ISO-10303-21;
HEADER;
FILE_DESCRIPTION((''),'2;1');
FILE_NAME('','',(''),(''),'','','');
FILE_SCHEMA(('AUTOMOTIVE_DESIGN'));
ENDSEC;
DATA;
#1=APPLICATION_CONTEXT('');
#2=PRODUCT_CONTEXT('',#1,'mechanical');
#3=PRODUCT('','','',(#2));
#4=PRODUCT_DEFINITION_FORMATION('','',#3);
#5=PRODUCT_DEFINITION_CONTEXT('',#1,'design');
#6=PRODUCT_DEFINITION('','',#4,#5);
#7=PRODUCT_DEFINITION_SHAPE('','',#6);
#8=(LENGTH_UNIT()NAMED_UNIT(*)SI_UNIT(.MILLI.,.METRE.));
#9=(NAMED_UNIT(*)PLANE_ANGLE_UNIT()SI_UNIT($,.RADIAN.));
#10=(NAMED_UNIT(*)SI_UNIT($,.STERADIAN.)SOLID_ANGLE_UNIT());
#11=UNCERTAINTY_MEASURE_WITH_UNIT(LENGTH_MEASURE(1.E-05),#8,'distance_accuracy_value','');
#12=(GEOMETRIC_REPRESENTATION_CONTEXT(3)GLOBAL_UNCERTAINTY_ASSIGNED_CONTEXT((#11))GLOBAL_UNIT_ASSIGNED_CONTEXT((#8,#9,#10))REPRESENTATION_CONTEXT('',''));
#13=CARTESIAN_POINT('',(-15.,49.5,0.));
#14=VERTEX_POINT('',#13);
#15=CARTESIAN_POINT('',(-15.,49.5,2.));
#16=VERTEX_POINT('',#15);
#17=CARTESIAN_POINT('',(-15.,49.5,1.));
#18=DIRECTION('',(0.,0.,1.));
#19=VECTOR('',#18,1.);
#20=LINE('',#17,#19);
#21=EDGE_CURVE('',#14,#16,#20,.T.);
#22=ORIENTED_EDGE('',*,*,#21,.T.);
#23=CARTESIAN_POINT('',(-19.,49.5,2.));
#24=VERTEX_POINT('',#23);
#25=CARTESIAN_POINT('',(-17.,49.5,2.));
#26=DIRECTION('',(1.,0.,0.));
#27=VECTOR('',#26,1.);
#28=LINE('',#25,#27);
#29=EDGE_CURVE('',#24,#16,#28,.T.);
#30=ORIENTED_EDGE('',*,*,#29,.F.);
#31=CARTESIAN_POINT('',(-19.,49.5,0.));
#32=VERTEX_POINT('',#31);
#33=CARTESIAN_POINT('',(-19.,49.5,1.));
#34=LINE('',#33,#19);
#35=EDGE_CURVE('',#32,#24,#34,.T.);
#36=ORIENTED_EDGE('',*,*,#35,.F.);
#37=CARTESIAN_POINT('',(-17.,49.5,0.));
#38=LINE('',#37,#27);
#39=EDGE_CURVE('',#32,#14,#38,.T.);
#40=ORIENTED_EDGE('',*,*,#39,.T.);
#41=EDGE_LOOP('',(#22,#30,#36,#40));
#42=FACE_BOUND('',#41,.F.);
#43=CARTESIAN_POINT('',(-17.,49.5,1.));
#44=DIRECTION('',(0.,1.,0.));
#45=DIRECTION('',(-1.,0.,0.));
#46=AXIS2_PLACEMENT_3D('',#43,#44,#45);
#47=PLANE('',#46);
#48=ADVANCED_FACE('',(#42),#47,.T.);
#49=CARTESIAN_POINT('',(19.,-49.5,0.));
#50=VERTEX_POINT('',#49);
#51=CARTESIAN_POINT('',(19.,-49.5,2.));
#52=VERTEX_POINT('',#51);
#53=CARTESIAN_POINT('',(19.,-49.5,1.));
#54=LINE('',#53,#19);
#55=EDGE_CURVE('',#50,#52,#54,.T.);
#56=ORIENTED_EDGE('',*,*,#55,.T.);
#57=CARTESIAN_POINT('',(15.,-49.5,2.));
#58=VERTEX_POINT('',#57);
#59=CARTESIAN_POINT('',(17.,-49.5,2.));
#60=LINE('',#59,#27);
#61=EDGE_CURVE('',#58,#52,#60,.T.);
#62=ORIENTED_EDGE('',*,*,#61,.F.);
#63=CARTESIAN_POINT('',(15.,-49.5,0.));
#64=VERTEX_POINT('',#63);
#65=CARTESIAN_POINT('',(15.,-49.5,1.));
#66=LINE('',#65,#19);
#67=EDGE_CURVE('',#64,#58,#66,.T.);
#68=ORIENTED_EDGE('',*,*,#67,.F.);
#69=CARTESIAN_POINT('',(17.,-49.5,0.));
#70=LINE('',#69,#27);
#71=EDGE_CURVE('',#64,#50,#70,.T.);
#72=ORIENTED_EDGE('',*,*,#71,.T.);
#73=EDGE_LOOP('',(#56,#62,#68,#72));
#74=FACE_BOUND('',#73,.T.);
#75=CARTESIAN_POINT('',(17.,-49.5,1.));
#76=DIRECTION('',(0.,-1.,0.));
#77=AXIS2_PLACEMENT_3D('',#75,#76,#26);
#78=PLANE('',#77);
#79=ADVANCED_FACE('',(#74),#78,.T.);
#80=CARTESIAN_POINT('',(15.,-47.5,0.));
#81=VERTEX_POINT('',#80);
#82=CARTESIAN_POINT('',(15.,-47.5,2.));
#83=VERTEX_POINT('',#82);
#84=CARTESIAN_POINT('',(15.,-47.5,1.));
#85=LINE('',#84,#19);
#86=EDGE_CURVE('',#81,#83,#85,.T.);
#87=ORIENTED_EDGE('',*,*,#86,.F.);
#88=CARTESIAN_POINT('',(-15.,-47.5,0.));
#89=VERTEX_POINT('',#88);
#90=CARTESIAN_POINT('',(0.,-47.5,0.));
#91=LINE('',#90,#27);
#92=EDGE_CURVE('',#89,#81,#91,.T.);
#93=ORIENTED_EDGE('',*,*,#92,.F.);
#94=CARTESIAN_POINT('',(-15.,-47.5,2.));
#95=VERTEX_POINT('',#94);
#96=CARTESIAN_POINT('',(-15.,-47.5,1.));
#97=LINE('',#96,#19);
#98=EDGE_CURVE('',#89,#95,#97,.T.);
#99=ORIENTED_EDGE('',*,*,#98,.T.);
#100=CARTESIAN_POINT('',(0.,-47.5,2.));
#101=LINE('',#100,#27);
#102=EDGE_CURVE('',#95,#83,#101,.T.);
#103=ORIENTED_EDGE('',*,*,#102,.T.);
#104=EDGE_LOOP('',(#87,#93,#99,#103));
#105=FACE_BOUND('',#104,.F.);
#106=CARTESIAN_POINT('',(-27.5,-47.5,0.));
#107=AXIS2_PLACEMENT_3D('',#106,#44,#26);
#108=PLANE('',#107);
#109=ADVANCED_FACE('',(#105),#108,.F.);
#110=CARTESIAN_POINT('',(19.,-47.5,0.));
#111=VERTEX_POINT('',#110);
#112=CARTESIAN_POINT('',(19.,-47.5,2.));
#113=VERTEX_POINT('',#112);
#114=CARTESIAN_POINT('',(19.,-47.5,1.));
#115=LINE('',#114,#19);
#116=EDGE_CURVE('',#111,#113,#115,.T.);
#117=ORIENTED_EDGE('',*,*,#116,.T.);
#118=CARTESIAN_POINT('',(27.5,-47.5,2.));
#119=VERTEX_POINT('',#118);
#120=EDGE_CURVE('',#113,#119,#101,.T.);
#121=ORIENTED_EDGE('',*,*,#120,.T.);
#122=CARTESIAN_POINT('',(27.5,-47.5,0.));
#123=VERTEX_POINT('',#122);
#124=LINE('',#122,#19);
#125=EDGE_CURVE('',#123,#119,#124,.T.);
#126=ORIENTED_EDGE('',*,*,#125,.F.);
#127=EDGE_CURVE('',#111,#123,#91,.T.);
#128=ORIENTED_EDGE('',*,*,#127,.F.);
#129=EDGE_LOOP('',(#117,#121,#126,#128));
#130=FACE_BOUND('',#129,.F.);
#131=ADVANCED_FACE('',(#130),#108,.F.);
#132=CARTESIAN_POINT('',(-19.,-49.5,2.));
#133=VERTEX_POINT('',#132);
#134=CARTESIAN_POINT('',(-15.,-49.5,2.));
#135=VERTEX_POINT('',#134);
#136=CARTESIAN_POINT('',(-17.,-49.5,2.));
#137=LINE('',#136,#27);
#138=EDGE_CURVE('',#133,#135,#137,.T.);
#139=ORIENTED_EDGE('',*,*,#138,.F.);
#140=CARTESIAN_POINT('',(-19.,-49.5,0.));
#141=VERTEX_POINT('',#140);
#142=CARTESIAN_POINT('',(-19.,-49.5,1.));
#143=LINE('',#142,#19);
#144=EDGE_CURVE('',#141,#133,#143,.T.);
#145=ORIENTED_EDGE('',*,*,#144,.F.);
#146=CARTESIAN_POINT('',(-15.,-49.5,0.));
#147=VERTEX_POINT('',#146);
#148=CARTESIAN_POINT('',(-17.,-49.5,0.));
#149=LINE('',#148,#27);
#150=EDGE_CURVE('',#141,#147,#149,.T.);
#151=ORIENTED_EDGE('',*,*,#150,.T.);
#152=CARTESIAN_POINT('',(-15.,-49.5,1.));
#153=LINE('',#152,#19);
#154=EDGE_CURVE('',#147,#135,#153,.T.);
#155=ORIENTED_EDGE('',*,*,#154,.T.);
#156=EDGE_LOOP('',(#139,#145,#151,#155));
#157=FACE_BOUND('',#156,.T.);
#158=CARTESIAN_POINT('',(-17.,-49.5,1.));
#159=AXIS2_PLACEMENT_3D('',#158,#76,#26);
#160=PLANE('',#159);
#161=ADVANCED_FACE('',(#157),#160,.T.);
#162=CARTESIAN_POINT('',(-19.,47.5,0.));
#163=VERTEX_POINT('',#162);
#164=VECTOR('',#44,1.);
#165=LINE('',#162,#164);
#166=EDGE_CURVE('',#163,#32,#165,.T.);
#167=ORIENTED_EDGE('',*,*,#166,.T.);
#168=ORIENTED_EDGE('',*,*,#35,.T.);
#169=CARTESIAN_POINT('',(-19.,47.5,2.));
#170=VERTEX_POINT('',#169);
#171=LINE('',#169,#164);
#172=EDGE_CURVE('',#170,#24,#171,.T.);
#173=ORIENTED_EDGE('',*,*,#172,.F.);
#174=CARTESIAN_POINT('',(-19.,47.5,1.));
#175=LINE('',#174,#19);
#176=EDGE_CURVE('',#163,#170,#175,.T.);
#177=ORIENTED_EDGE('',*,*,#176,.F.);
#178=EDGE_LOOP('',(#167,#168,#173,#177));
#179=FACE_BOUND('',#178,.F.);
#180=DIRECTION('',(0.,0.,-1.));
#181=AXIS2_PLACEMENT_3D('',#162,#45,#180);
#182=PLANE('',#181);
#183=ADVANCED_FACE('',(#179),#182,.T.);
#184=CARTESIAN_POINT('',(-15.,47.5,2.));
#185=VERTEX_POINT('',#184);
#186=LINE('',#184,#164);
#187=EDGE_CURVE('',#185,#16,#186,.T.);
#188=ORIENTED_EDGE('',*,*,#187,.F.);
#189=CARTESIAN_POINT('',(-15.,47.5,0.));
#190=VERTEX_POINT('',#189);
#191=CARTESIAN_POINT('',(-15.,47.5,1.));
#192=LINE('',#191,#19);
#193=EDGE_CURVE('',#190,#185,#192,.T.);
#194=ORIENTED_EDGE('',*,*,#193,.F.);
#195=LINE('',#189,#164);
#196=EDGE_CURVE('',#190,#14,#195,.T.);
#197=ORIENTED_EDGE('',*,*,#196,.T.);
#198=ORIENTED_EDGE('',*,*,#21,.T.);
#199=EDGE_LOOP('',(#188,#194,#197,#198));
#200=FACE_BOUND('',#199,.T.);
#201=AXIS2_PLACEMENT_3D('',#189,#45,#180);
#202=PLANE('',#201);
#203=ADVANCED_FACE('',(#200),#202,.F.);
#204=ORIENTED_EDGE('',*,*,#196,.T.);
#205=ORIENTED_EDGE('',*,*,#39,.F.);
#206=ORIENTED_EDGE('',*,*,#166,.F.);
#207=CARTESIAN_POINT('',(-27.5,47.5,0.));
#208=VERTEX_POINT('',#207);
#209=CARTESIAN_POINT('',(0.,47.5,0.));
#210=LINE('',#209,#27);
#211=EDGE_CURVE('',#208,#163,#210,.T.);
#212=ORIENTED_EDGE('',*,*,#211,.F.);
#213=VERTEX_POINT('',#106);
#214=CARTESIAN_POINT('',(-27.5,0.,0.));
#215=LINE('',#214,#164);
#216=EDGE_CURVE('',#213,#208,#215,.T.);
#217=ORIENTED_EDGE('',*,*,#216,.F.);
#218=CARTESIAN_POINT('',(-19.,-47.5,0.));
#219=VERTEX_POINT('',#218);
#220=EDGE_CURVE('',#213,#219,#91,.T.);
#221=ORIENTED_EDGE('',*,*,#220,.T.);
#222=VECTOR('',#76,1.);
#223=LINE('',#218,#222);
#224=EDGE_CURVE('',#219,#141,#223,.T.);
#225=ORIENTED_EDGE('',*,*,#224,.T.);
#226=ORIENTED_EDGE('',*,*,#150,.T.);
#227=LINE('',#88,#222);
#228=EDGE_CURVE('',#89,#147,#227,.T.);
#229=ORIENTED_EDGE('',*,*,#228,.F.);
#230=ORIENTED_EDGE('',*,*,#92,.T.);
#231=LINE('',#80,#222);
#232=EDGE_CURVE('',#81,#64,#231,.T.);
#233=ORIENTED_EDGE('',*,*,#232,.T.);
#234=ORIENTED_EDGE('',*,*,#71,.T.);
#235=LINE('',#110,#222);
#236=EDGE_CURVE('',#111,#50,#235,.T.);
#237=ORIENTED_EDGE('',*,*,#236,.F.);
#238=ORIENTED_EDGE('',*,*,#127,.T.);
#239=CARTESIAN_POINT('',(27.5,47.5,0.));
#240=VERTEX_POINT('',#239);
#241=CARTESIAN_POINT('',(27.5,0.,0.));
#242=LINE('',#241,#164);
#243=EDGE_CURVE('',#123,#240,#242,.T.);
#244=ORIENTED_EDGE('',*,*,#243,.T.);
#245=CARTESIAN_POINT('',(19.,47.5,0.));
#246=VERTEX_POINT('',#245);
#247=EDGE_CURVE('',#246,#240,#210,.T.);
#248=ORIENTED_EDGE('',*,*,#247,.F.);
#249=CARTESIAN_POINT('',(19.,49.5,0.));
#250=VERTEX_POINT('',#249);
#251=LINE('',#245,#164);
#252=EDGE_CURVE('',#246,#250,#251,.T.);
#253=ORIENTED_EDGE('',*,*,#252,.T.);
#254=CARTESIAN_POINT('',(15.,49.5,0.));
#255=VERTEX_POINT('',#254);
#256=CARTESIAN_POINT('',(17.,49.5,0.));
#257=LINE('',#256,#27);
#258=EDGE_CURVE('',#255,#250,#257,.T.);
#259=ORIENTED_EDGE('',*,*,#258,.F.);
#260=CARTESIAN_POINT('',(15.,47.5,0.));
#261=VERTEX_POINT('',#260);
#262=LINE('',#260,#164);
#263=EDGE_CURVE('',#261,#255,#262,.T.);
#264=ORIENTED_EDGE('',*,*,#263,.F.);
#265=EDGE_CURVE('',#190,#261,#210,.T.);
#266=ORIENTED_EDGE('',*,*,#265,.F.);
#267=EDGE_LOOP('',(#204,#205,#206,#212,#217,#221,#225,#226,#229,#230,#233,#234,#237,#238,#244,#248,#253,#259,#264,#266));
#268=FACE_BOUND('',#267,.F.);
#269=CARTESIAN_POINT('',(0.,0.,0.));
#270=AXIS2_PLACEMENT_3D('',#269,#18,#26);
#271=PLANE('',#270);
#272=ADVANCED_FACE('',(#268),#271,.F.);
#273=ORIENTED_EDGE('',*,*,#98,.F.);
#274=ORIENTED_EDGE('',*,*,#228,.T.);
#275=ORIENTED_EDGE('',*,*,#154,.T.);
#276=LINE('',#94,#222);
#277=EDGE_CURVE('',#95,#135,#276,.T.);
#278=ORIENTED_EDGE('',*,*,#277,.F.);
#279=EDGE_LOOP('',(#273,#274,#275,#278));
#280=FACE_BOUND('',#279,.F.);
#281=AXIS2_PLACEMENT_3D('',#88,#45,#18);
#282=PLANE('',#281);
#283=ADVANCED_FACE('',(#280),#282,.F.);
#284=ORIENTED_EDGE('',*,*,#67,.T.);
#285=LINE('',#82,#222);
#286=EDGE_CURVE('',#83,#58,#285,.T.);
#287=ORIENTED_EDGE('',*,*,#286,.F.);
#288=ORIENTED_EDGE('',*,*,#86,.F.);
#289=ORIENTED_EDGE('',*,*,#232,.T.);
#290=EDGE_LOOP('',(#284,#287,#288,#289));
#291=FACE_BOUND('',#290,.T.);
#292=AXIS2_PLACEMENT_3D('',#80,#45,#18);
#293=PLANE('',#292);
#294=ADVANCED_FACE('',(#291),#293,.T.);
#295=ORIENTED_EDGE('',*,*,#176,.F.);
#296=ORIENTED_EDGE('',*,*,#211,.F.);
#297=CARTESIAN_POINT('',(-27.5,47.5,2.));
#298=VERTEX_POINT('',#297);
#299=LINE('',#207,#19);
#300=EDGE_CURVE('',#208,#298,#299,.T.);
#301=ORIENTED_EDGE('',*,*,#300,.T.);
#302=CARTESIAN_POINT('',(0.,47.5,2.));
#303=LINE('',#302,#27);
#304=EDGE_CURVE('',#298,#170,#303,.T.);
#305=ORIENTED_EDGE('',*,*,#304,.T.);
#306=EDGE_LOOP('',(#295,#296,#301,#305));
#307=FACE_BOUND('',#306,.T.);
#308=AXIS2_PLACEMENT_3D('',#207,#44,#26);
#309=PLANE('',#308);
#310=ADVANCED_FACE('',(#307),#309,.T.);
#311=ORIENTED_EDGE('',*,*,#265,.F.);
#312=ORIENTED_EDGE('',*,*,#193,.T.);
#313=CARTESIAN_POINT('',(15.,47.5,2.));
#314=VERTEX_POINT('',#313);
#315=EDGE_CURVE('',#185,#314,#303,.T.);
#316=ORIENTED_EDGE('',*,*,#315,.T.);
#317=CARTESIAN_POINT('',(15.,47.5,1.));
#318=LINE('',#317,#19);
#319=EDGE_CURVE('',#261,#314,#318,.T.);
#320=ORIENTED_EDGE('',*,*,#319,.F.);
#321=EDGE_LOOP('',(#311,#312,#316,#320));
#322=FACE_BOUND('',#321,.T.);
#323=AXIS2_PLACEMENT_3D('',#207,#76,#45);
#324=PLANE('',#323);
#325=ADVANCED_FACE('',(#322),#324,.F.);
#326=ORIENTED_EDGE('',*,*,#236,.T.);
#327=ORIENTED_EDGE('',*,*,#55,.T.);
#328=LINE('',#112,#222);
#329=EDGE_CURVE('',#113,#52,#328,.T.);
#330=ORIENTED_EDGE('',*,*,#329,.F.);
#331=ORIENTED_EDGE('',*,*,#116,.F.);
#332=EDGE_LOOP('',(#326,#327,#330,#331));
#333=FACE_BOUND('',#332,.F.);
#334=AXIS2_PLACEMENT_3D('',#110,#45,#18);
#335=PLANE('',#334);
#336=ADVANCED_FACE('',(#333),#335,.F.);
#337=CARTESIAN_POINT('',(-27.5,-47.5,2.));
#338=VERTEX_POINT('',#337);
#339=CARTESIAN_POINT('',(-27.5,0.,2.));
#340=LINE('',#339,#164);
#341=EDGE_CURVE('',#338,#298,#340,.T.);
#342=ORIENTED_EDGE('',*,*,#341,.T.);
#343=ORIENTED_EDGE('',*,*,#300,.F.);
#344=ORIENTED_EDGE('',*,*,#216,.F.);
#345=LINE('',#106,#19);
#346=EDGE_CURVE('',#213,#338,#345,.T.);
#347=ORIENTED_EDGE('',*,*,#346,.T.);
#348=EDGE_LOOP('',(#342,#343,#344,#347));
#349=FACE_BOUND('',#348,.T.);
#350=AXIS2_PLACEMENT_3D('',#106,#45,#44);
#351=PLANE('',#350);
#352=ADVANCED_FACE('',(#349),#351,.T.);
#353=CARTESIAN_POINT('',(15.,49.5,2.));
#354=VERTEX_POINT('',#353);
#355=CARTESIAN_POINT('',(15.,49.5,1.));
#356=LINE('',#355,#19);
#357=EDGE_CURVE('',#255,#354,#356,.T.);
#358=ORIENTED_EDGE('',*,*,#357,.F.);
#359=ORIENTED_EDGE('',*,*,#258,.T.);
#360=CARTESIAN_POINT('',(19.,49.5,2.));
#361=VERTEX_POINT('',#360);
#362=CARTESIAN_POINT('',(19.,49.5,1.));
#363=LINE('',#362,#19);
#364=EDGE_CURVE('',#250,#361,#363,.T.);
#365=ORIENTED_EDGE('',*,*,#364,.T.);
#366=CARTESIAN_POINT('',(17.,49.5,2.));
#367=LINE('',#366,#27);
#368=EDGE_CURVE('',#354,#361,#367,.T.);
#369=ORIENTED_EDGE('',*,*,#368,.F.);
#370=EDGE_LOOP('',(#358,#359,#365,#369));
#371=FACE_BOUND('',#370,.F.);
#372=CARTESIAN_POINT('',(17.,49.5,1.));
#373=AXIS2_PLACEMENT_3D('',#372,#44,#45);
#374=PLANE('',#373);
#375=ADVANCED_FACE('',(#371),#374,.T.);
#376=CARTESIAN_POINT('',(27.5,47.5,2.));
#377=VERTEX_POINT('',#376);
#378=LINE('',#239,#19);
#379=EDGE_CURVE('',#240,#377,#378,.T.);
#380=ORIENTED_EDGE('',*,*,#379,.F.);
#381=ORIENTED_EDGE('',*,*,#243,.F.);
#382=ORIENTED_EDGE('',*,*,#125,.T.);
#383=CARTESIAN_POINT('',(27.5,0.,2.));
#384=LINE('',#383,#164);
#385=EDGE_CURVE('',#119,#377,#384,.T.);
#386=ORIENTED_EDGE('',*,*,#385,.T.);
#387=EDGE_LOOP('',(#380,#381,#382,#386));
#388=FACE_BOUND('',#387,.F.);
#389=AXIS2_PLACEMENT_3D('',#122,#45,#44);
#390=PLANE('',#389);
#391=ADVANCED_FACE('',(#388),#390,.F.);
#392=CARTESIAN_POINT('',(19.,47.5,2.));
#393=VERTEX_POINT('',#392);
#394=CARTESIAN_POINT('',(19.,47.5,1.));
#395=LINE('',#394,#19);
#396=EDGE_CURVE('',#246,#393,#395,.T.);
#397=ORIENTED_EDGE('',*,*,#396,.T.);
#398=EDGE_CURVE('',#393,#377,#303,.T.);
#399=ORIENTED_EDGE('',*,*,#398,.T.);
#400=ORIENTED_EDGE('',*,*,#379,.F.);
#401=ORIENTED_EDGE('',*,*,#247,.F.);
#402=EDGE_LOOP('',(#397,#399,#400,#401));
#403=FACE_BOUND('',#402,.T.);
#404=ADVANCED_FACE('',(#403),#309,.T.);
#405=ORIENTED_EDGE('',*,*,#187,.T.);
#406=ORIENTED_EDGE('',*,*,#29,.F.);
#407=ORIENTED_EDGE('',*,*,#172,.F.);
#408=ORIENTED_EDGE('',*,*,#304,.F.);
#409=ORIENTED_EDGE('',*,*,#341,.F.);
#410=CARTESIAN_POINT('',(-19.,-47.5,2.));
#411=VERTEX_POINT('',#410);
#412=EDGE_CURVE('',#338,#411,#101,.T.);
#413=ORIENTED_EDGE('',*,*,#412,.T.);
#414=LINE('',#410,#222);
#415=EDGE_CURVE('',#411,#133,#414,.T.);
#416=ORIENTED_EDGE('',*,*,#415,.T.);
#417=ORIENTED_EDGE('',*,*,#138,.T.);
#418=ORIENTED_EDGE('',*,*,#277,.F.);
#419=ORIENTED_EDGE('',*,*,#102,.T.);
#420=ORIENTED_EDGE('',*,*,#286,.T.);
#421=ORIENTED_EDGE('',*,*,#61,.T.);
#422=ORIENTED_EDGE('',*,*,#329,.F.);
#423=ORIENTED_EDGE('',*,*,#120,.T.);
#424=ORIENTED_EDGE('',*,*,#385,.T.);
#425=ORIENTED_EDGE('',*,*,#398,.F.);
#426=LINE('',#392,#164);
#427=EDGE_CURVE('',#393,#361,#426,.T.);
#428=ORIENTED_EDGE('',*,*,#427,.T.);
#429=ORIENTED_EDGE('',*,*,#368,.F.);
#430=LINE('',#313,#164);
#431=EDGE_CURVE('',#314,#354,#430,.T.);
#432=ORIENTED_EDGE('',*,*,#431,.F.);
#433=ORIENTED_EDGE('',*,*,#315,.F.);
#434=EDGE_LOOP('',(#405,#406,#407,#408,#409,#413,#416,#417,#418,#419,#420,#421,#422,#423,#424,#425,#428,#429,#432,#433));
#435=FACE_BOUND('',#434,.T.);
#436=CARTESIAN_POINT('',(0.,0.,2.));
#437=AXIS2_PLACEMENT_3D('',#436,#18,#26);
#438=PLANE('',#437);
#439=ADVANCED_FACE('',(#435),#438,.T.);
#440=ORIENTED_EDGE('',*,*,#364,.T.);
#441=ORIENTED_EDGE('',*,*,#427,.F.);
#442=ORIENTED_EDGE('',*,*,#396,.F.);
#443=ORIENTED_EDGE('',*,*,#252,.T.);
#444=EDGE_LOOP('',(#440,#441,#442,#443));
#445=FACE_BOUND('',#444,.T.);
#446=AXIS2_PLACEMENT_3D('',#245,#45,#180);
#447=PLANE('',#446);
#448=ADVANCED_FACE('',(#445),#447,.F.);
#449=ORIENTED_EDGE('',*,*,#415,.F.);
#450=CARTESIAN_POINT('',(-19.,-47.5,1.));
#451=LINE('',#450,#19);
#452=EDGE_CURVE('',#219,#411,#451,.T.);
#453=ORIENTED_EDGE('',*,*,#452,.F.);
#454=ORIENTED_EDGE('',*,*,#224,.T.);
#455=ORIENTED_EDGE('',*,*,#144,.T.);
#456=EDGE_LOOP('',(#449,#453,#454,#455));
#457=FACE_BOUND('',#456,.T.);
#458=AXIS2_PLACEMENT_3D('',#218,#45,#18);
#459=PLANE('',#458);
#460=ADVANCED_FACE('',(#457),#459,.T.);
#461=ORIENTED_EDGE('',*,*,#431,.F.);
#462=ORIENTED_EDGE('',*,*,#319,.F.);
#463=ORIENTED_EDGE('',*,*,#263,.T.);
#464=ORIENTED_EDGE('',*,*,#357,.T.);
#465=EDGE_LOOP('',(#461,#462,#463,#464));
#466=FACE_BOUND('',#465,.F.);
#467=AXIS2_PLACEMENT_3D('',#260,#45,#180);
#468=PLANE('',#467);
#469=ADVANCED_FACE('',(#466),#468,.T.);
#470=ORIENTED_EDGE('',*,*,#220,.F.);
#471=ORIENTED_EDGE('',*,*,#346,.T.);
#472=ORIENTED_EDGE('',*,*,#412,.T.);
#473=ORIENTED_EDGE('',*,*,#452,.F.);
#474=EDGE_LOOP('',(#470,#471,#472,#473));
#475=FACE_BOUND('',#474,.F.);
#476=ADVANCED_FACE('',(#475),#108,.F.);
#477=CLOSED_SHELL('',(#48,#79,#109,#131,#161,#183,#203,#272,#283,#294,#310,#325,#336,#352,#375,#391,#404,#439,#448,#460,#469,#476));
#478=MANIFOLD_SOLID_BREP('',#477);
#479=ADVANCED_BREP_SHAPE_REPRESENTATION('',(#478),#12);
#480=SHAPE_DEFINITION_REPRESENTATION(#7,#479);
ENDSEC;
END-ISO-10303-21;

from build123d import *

# Parameters (mm, degrees)
F0_W     = 55
F0_H     = 95
F1_DEPTH = 2
F2_W     = 4
F2_H     = 2
F3_DEPTH = 2


with BuildPart() as f1:
    # F0 (on Top) → F1 (new body)
    with BuildSketch(Plane.XY):
        Rectangle(F0_W, F0_H)
    extrude(amount=F1_DEPTH)

    # F2 (on face) → F3 (join)
    with BuildSketch(Plane.XZ.offset(47.5)):
        with Locations((17, 1)):
            Rectangle(F2_W, F2_H)
        with Locations((-17, 1)):
            Rectangle(F2_W, F2_H)
    extrude(amount=F3_DEPTH)

    # F4: F1 across plane


with BuildPart() as f1_1:
    add(f1.part)
    add(f1.part.mirror(Plane.XZ))


solid = f1_1.part
